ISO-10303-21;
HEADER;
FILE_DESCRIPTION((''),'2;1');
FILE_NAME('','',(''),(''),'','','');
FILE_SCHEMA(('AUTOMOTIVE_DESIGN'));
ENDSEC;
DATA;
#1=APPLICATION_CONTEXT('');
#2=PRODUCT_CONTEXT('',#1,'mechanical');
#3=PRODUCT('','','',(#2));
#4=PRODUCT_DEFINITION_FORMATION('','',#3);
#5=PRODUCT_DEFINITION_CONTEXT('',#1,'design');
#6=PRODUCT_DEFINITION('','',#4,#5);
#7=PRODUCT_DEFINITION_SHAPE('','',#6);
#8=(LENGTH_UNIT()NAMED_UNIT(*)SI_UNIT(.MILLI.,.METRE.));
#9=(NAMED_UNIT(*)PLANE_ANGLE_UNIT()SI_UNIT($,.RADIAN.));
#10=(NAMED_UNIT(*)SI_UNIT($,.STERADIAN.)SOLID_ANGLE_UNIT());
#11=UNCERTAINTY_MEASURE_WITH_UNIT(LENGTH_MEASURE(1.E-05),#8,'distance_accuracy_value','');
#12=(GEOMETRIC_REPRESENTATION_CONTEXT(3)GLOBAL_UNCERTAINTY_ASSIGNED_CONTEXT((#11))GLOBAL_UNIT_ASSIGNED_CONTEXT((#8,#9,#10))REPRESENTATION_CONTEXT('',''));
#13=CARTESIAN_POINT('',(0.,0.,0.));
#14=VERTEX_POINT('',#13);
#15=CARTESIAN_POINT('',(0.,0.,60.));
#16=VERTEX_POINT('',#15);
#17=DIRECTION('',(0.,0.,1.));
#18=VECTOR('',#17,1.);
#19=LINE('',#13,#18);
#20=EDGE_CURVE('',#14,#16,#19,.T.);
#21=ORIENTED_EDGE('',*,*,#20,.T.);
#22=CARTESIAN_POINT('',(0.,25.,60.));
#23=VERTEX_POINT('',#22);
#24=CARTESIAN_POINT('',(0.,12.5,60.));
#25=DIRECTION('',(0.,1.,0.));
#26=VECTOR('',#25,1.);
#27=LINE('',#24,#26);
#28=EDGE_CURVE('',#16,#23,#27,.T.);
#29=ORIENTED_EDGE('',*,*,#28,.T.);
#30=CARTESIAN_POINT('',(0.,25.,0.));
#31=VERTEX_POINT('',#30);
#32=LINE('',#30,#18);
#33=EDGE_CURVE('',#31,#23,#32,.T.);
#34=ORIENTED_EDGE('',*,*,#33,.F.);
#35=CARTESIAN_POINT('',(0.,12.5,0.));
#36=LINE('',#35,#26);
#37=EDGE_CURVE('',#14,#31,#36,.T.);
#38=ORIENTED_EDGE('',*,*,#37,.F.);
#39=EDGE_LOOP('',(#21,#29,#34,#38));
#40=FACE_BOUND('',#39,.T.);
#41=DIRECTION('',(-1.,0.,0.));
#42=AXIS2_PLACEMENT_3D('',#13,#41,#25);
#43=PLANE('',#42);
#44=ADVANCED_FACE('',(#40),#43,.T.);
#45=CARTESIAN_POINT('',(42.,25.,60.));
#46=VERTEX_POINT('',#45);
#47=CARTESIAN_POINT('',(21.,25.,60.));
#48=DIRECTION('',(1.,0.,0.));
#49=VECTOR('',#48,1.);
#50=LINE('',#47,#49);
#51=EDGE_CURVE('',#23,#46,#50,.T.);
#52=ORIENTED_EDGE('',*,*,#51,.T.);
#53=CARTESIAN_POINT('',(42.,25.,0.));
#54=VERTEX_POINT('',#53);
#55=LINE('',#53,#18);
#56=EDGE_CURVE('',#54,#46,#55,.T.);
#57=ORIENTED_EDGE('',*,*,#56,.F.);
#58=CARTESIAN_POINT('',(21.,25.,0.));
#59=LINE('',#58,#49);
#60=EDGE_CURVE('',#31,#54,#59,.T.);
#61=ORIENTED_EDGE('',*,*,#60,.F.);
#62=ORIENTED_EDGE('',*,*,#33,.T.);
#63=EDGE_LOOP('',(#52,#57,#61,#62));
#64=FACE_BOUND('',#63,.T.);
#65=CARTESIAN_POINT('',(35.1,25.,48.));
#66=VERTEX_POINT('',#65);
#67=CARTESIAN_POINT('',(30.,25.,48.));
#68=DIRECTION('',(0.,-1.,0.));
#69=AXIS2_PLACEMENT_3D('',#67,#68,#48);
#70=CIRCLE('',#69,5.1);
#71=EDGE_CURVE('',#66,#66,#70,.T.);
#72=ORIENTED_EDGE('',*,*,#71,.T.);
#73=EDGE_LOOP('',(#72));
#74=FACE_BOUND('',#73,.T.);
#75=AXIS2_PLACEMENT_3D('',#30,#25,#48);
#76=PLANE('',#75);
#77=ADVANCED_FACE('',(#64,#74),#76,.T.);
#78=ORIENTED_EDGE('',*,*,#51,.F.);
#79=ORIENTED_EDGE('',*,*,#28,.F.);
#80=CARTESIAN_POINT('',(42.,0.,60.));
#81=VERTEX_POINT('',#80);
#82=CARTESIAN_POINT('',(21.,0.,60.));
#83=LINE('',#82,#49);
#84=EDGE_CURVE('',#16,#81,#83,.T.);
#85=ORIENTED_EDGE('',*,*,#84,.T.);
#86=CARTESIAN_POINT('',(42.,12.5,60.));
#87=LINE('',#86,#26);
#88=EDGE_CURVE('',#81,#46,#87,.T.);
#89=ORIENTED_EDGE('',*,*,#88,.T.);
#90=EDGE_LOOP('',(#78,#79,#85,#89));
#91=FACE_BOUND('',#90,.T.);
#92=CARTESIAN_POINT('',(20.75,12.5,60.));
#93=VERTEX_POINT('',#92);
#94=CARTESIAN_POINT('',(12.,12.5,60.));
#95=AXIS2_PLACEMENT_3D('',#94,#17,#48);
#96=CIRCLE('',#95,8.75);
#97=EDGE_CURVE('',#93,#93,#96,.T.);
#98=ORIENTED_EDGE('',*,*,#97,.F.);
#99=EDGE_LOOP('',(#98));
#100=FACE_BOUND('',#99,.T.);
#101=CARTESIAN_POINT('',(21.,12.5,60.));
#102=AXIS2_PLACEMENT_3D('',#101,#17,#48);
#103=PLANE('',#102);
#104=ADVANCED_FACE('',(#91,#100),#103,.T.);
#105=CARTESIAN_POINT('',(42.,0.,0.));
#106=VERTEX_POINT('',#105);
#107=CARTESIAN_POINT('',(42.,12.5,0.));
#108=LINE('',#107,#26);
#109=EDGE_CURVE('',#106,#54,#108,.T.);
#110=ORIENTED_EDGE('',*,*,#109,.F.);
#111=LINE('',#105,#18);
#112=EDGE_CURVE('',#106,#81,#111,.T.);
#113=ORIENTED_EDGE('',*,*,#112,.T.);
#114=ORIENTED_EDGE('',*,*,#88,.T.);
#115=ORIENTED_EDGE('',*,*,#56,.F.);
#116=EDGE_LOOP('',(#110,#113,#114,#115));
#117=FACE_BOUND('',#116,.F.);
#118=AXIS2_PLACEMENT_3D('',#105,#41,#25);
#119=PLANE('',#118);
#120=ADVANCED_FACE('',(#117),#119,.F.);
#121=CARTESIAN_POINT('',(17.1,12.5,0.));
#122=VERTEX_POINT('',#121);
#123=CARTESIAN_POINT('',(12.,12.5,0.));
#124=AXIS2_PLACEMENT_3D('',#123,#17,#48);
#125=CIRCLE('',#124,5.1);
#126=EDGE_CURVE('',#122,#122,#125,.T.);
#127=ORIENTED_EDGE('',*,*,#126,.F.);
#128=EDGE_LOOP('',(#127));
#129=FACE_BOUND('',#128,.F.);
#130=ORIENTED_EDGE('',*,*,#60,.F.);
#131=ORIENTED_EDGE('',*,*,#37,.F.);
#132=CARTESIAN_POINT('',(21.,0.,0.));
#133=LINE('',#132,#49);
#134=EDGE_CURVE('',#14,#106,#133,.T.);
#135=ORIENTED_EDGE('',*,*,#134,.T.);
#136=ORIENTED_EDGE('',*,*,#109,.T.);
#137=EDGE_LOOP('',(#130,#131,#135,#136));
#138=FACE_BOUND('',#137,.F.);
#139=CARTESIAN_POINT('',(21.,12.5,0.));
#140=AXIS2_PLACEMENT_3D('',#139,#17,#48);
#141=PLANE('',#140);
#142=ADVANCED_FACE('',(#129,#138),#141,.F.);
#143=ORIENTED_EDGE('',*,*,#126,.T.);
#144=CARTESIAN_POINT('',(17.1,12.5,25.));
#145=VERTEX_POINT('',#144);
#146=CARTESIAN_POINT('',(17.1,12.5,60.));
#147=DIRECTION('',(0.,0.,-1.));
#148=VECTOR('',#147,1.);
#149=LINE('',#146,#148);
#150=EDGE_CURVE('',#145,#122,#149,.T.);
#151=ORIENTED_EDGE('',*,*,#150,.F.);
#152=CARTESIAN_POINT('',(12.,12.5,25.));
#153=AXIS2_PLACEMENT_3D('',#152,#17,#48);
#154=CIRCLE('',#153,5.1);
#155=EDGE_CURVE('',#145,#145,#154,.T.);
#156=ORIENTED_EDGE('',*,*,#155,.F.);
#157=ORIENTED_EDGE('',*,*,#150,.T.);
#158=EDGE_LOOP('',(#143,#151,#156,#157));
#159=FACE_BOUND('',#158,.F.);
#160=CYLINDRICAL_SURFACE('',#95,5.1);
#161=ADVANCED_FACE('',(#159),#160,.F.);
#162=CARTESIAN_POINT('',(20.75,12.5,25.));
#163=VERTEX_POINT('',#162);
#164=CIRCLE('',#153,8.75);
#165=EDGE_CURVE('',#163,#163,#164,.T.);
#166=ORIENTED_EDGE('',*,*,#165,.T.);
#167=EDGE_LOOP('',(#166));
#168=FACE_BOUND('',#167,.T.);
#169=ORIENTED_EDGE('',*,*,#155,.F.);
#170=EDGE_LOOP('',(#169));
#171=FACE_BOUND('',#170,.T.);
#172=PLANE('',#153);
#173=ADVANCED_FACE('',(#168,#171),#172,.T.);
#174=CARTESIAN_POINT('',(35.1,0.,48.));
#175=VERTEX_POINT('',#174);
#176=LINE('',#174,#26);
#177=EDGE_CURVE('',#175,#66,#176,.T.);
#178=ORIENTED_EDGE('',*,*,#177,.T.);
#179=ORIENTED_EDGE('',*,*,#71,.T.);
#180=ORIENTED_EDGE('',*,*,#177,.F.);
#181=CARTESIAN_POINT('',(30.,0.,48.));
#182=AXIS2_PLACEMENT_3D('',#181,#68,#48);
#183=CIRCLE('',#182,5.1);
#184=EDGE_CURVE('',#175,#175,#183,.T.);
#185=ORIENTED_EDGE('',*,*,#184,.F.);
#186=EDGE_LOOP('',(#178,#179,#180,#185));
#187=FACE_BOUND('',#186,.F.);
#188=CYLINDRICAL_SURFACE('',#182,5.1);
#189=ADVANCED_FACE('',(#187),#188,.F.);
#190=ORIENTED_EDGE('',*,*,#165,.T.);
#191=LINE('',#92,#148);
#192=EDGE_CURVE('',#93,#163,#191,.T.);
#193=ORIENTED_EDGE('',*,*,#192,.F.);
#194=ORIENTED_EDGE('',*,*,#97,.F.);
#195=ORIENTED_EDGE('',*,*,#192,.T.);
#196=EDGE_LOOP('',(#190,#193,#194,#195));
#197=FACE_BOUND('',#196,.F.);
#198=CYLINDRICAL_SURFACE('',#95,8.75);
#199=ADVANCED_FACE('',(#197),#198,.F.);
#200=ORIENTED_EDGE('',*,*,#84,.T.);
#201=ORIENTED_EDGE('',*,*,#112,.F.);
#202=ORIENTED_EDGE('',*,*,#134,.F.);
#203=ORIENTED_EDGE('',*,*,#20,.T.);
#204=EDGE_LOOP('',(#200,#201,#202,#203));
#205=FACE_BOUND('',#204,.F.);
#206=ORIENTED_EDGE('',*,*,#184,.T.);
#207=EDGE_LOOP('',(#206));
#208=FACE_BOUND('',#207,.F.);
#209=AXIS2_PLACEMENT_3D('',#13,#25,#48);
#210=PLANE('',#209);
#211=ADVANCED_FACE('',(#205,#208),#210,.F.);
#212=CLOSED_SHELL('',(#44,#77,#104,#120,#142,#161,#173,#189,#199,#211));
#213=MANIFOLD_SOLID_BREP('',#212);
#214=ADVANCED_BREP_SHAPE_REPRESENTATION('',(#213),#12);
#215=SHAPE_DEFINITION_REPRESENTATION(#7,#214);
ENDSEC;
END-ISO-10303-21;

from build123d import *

# Parameters (mm, degrees)
F0_W      = 42
F0_H      = 25
F1_DEPTH  = 60
F3_R      = 8.75
F4_DEPTH  = 35
F6_R      = 5.1
F7_DEPTH  = 100
F9_R      = 5.1
F10_DEPTH = 80


with BuildPart() as f1:
    # F0 (on Top) → F1 (new body)
    with BuildSketch(Plane.XY):
        with Locations((21, 12.5)):
            Rectangle(F0_W, F0_H)
    extrude(amount=F1_DEPTH)

    # F3 (on offset) → F4 (cut)
    with BuildSketch(Plane.XY.offset(60)):
        with Locations((12, 12.5)):
            Circle(F3_R)
    extrude(amount=-F4_DEPTH, mode=Mode.SUBTRACT)

    # F6 (on offset) → F7 (cut)
    with BuildSketch(Plane.XY.offset(60)):
        with Locations((12, 12.5)):
            Circle(F6_R)
    extrude(amount=-F7_DEPTH, mode=Mode.SUBTRACT)

    # F9 (on offset) → F10 (cut)
    with BuildSketch(Plane.XZ):
        with Locations((30, 48)):
            Circle(F9_R)
    extrude(amount=-F10_DEPTH, mode=Mode.SUBTRACT)


solid = f1.part
